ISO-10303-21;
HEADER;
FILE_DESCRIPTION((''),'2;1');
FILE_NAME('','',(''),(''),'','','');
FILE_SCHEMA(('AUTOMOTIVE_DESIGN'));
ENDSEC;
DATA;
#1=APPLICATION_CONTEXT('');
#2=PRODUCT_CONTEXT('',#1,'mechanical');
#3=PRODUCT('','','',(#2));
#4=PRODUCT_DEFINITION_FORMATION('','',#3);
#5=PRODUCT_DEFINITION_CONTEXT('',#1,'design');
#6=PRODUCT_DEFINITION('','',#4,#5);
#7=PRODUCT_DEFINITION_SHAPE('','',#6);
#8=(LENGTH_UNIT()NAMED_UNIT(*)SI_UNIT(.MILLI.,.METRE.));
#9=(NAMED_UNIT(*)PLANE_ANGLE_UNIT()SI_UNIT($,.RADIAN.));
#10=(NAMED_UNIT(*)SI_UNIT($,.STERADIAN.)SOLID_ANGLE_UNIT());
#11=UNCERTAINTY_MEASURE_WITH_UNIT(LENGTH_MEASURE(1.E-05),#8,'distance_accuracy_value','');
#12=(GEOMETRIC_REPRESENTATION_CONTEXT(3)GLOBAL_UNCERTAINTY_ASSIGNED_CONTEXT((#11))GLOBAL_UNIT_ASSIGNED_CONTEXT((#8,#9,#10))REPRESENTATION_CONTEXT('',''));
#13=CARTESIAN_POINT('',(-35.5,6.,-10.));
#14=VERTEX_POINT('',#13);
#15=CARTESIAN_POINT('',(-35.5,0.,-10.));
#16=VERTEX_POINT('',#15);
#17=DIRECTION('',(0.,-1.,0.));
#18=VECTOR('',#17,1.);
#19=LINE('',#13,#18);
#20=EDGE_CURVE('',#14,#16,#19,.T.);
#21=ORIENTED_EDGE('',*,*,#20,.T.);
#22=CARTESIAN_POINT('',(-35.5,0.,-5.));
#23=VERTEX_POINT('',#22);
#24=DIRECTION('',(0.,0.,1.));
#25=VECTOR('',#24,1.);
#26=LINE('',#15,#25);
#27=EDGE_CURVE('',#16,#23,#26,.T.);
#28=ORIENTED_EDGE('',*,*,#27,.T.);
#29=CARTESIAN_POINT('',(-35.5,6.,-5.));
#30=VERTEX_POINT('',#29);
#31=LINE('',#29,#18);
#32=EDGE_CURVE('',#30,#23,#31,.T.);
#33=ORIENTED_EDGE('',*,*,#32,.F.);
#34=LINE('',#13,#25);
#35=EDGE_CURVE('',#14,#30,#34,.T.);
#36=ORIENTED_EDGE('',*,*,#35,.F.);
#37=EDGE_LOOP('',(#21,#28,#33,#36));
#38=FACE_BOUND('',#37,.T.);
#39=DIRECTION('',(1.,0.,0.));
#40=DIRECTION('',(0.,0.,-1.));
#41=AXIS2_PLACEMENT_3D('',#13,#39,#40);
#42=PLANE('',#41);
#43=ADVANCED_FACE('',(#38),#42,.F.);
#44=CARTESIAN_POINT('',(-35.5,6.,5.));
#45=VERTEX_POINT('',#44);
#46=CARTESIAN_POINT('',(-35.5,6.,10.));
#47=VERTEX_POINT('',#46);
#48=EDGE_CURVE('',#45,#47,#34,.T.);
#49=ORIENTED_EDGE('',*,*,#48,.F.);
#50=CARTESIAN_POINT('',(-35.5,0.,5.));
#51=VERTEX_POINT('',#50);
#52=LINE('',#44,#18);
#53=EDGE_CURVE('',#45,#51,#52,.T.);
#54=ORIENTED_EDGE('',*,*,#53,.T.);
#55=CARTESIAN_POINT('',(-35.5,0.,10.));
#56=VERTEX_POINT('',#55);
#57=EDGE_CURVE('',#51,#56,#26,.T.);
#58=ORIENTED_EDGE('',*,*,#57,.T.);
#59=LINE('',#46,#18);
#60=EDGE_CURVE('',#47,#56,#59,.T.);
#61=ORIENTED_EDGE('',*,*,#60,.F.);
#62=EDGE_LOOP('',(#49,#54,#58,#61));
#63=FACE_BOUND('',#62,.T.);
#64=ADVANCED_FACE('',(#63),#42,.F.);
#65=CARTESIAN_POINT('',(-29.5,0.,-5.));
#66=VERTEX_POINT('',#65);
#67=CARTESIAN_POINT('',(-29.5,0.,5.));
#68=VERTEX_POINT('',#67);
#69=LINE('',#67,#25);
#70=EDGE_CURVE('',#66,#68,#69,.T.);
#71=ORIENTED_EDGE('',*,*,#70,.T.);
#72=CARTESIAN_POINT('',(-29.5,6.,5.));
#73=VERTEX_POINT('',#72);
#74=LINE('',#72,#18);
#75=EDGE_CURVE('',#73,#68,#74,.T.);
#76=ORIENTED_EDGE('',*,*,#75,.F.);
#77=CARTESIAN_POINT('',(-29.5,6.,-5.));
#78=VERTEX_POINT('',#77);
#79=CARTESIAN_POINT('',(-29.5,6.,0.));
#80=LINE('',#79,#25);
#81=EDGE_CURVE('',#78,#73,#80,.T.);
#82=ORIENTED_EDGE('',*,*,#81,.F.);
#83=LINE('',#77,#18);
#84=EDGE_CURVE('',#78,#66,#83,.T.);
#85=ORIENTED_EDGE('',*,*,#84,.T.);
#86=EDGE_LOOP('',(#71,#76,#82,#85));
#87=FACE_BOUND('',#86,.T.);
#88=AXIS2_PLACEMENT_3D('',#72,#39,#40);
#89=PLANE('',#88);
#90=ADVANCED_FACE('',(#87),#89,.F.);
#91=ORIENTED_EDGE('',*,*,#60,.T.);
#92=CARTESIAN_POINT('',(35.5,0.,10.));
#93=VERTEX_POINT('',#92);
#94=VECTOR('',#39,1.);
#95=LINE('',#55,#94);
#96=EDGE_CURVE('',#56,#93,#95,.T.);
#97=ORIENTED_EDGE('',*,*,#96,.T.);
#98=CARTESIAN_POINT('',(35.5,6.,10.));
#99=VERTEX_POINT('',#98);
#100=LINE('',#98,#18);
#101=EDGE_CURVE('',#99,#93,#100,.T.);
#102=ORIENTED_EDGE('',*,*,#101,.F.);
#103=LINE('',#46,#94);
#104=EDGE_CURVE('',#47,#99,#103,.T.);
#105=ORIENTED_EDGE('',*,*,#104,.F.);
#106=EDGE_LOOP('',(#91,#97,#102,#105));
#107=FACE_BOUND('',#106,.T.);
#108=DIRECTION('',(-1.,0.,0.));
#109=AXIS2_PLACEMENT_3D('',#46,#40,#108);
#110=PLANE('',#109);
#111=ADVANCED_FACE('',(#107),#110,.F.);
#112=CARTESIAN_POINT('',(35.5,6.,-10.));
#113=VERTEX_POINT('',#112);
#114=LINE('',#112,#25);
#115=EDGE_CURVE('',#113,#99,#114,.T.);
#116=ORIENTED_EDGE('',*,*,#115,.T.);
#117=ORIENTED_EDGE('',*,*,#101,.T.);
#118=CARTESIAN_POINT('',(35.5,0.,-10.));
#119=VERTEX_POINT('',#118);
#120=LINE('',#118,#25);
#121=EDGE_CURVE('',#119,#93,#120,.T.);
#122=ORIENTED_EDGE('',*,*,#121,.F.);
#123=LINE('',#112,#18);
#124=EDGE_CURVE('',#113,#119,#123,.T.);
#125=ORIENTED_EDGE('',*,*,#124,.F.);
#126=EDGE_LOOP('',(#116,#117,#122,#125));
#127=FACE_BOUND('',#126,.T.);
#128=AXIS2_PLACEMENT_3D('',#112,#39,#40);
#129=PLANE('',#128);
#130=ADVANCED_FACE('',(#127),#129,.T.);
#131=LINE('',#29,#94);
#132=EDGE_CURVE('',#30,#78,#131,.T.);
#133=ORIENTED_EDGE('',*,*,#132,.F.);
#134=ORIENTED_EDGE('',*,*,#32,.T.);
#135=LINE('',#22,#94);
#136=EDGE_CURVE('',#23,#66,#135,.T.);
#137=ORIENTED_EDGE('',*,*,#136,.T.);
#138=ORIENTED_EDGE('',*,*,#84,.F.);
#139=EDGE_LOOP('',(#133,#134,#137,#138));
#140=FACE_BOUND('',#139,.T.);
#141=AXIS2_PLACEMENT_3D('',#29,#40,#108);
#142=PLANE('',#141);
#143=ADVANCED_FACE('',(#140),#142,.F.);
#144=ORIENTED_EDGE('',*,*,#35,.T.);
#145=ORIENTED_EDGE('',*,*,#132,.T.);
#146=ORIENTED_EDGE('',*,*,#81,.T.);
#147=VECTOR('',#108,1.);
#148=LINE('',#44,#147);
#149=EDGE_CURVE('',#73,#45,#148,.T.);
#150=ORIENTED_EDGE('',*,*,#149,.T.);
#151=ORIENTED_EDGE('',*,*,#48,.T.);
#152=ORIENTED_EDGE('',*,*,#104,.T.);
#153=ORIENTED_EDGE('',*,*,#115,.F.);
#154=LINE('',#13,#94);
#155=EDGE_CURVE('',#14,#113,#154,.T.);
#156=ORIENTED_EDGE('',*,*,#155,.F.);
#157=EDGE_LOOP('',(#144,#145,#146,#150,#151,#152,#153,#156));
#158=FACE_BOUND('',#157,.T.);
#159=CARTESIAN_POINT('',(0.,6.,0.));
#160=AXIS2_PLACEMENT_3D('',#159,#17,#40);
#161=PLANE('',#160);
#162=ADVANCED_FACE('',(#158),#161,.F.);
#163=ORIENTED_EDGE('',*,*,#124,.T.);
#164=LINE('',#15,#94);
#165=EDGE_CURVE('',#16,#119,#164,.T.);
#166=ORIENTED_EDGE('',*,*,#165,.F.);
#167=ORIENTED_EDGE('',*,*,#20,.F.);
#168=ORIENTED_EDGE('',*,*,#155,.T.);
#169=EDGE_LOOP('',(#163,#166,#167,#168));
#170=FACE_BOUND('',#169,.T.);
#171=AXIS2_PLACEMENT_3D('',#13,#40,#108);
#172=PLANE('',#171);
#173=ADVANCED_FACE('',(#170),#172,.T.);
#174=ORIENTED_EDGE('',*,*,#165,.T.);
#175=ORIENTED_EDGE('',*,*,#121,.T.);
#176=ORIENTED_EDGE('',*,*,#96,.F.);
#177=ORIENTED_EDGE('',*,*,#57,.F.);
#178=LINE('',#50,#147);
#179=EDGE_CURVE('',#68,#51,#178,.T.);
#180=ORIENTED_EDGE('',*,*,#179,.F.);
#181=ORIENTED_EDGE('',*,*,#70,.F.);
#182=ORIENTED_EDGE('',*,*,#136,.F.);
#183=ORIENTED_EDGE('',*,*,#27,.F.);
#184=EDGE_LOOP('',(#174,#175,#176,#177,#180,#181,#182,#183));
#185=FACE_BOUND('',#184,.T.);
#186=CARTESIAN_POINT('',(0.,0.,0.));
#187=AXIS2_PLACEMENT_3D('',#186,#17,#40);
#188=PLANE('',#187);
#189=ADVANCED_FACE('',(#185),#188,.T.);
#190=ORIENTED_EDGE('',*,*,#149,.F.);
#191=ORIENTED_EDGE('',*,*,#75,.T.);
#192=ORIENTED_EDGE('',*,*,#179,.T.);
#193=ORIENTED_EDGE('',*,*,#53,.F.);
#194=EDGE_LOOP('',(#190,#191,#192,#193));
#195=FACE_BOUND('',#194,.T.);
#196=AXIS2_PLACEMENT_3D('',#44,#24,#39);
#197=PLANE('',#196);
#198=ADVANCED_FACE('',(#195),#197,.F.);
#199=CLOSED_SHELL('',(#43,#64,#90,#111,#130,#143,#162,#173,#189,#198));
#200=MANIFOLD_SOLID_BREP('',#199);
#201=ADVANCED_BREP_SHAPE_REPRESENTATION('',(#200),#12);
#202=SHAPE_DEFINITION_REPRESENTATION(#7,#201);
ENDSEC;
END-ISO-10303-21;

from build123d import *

# Parameters (mm, degrees)
SKETCH1_W           = 71
SKETCH1_H           = 20
BOSS_EXTRUDE1_DEPTH = 6
CUT_EXTRUDE1_DEPTH  = 7


with BuildPart() as part:
    # Sketch1 → Boss-Extrude1 (new body)
    with BuildSketch(Plane(origin=(0, 0, 0), x_dir=(1, 0, 0), z_dir=(0, 1, 0))):
        Rectangle(SKETCH1_W, SKETCH1_H)
    extrude(amount=BOSS_EXTRUDE1_DEPTH)

    # Sketch4 → Cut-Extrude1 (cut, through all)
    with BuildSketch(Plane.XZ):
        Polygon((-35.5, 5), (-29.5, 5), (-29.5, 0), (-29.5, -5), (-35.5, -5), align=None)
    extrude(amount=-CUT_EXTRUDE1_DEPTH, mode=Mode.SUBTRACT)


solid = part.part
